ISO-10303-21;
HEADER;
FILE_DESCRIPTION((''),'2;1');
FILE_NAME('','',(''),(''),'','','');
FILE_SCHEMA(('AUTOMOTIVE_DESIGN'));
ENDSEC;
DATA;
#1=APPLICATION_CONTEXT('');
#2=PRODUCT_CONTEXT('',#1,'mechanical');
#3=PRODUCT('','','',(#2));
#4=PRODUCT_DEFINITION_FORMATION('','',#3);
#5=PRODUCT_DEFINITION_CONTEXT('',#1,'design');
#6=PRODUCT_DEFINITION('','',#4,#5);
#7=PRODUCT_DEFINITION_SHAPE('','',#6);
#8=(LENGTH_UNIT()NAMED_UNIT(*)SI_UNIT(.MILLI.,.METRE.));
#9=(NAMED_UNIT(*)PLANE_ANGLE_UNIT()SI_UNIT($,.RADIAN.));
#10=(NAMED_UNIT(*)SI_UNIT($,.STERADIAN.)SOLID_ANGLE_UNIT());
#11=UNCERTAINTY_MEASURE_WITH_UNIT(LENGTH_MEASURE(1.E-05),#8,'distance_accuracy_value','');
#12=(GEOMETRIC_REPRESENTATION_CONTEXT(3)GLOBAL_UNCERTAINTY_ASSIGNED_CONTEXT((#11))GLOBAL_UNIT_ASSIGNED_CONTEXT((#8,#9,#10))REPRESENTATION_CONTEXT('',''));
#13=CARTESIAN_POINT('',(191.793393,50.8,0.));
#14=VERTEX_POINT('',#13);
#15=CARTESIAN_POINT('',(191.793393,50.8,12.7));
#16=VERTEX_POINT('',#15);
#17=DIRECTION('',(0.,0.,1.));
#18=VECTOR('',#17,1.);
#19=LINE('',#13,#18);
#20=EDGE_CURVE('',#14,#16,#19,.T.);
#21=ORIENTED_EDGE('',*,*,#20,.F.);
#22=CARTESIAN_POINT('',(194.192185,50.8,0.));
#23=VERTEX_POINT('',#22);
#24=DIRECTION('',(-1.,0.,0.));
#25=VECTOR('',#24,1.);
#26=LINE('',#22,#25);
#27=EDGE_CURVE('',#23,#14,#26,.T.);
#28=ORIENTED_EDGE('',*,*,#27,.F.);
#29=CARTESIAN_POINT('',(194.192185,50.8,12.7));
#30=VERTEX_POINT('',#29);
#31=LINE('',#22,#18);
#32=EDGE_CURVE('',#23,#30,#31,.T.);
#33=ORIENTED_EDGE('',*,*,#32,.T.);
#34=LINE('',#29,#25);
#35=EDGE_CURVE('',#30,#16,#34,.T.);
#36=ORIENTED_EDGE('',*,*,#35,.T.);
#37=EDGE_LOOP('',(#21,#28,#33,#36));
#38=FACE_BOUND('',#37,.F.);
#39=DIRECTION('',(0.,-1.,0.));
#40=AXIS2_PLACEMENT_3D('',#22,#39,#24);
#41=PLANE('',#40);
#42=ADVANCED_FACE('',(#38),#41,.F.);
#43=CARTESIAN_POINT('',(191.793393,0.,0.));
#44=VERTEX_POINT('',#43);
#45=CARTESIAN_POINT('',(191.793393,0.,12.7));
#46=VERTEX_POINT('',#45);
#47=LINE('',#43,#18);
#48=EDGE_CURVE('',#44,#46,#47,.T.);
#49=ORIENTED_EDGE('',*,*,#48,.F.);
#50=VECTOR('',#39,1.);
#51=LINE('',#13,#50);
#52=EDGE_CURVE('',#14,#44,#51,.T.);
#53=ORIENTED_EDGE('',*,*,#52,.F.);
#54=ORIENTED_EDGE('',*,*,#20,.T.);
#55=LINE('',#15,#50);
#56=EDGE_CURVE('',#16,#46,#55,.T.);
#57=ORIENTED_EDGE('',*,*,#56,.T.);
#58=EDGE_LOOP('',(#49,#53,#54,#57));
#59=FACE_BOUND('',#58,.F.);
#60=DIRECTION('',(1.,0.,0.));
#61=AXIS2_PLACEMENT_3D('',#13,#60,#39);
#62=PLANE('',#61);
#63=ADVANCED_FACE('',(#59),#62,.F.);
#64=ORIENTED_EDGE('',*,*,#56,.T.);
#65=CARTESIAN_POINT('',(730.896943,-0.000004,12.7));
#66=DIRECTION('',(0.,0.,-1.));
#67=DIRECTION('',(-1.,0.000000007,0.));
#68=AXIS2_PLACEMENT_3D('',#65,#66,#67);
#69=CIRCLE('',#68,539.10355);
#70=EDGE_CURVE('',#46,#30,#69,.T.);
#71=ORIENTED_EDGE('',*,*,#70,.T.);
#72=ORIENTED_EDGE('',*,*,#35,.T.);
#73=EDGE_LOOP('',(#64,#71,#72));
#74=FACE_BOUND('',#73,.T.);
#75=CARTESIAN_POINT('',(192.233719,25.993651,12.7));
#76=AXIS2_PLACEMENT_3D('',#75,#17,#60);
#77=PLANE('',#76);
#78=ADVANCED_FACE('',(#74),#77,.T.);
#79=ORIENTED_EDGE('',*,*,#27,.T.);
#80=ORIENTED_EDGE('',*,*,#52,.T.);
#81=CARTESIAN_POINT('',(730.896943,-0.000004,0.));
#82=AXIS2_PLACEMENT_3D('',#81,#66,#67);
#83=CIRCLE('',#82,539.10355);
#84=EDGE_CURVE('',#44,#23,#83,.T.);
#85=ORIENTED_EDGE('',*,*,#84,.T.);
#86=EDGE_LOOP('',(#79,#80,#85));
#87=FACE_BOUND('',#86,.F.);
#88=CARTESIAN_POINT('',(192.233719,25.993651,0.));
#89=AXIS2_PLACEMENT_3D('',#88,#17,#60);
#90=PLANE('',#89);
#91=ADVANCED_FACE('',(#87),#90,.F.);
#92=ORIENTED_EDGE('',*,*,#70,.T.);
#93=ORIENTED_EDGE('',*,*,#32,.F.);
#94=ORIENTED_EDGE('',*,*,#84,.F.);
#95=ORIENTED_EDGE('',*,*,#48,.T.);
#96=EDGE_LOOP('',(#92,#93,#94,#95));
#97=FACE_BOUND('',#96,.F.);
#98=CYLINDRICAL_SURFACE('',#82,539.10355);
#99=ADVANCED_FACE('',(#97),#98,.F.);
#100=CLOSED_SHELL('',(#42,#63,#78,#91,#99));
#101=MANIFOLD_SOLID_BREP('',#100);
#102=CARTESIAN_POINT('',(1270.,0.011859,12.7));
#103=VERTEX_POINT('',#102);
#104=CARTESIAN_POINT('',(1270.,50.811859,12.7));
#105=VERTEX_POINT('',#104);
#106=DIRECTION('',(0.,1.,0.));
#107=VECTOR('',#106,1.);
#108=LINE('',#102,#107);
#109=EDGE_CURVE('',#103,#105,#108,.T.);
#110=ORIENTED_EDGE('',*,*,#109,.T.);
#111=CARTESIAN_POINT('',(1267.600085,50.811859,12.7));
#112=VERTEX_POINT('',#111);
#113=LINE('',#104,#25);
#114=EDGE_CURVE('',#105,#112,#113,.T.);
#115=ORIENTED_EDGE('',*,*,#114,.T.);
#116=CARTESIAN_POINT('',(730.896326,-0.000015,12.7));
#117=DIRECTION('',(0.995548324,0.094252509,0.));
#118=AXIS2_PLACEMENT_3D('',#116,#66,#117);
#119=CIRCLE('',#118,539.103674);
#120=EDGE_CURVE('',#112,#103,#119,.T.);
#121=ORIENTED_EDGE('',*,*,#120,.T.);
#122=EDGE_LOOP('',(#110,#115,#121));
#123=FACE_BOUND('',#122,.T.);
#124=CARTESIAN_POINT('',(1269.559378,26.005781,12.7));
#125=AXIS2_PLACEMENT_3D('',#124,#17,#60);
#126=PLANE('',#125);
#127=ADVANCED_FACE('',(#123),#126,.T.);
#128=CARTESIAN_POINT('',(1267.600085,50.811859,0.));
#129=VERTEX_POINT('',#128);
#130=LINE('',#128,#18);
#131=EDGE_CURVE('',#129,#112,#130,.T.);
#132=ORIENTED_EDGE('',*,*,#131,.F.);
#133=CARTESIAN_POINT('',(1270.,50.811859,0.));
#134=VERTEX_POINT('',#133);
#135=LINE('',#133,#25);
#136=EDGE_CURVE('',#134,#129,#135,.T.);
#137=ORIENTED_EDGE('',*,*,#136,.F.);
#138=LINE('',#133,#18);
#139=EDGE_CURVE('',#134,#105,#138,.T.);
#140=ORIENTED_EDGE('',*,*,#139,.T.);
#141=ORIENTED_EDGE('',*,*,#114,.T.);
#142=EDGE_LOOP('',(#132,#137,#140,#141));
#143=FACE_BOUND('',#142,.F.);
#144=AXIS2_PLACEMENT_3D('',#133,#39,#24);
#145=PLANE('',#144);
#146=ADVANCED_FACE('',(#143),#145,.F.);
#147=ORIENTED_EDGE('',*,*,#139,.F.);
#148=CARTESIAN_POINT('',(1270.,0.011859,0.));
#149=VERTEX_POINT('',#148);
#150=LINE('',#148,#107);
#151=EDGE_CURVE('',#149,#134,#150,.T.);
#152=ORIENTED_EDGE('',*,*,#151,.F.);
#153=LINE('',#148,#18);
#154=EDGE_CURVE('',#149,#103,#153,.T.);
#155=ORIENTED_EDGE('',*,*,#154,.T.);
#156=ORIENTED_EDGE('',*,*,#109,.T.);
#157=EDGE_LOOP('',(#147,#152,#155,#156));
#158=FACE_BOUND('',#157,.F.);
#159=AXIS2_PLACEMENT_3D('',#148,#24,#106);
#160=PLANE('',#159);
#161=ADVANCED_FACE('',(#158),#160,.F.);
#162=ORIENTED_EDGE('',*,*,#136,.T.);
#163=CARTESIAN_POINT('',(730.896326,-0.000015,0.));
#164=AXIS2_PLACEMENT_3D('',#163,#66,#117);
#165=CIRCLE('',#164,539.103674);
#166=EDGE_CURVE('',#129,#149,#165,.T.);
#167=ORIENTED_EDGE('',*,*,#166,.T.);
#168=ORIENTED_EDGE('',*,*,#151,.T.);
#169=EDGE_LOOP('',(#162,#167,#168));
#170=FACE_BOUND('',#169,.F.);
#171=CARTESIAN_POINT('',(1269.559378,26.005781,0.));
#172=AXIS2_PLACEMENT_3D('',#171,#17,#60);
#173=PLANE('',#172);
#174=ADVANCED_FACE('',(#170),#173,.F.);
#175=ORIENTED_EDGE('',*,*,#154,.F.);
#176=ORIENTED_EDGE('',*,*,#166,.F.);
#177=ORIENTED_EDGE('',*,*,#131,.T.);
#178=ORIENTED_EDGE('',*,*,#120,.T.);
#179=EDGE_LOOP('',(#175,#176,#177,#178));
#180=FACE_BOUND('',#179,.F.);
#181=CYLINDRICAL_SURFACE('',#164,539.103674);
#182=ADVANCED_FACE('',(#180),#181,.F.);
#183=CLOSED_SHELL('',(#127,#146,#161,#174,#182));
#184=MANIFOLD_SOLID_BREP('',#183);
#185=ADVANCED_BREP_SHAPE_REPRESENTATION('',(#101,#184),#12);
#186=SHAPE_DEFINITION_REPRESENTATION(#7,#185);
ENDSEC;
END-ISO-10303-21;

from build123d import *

# Parameters (mm, degrees)
F1_DEPTH = 12.7


with BuildPart() as f1:
    # F0 (on Top) → F1 (new body)
    with BuildSketch(Plane.XY):
        with BuildLine():
            Line((1270, 50.811859), (1267.600085, 50.811859))
            ThreePointArc((1267.600085, 50.811859), (1269.399407, 25.440174), (1270, 0.011859))
            Line((1270, 0.011859), (1270, 50.811859))
        make_face()
        with BuildLine():
            ThreePointArc((191.793393, 0), (192.393425, 25.428302), (194.192185, 50.8))
            Line((194.192185, 50.8), (191.793393, 50.8))
            Line((191.793393, 50.8), (191.793393, 0))
        make_face()
    extrude(amount=F1_DEPTH)


solid = f1.part
